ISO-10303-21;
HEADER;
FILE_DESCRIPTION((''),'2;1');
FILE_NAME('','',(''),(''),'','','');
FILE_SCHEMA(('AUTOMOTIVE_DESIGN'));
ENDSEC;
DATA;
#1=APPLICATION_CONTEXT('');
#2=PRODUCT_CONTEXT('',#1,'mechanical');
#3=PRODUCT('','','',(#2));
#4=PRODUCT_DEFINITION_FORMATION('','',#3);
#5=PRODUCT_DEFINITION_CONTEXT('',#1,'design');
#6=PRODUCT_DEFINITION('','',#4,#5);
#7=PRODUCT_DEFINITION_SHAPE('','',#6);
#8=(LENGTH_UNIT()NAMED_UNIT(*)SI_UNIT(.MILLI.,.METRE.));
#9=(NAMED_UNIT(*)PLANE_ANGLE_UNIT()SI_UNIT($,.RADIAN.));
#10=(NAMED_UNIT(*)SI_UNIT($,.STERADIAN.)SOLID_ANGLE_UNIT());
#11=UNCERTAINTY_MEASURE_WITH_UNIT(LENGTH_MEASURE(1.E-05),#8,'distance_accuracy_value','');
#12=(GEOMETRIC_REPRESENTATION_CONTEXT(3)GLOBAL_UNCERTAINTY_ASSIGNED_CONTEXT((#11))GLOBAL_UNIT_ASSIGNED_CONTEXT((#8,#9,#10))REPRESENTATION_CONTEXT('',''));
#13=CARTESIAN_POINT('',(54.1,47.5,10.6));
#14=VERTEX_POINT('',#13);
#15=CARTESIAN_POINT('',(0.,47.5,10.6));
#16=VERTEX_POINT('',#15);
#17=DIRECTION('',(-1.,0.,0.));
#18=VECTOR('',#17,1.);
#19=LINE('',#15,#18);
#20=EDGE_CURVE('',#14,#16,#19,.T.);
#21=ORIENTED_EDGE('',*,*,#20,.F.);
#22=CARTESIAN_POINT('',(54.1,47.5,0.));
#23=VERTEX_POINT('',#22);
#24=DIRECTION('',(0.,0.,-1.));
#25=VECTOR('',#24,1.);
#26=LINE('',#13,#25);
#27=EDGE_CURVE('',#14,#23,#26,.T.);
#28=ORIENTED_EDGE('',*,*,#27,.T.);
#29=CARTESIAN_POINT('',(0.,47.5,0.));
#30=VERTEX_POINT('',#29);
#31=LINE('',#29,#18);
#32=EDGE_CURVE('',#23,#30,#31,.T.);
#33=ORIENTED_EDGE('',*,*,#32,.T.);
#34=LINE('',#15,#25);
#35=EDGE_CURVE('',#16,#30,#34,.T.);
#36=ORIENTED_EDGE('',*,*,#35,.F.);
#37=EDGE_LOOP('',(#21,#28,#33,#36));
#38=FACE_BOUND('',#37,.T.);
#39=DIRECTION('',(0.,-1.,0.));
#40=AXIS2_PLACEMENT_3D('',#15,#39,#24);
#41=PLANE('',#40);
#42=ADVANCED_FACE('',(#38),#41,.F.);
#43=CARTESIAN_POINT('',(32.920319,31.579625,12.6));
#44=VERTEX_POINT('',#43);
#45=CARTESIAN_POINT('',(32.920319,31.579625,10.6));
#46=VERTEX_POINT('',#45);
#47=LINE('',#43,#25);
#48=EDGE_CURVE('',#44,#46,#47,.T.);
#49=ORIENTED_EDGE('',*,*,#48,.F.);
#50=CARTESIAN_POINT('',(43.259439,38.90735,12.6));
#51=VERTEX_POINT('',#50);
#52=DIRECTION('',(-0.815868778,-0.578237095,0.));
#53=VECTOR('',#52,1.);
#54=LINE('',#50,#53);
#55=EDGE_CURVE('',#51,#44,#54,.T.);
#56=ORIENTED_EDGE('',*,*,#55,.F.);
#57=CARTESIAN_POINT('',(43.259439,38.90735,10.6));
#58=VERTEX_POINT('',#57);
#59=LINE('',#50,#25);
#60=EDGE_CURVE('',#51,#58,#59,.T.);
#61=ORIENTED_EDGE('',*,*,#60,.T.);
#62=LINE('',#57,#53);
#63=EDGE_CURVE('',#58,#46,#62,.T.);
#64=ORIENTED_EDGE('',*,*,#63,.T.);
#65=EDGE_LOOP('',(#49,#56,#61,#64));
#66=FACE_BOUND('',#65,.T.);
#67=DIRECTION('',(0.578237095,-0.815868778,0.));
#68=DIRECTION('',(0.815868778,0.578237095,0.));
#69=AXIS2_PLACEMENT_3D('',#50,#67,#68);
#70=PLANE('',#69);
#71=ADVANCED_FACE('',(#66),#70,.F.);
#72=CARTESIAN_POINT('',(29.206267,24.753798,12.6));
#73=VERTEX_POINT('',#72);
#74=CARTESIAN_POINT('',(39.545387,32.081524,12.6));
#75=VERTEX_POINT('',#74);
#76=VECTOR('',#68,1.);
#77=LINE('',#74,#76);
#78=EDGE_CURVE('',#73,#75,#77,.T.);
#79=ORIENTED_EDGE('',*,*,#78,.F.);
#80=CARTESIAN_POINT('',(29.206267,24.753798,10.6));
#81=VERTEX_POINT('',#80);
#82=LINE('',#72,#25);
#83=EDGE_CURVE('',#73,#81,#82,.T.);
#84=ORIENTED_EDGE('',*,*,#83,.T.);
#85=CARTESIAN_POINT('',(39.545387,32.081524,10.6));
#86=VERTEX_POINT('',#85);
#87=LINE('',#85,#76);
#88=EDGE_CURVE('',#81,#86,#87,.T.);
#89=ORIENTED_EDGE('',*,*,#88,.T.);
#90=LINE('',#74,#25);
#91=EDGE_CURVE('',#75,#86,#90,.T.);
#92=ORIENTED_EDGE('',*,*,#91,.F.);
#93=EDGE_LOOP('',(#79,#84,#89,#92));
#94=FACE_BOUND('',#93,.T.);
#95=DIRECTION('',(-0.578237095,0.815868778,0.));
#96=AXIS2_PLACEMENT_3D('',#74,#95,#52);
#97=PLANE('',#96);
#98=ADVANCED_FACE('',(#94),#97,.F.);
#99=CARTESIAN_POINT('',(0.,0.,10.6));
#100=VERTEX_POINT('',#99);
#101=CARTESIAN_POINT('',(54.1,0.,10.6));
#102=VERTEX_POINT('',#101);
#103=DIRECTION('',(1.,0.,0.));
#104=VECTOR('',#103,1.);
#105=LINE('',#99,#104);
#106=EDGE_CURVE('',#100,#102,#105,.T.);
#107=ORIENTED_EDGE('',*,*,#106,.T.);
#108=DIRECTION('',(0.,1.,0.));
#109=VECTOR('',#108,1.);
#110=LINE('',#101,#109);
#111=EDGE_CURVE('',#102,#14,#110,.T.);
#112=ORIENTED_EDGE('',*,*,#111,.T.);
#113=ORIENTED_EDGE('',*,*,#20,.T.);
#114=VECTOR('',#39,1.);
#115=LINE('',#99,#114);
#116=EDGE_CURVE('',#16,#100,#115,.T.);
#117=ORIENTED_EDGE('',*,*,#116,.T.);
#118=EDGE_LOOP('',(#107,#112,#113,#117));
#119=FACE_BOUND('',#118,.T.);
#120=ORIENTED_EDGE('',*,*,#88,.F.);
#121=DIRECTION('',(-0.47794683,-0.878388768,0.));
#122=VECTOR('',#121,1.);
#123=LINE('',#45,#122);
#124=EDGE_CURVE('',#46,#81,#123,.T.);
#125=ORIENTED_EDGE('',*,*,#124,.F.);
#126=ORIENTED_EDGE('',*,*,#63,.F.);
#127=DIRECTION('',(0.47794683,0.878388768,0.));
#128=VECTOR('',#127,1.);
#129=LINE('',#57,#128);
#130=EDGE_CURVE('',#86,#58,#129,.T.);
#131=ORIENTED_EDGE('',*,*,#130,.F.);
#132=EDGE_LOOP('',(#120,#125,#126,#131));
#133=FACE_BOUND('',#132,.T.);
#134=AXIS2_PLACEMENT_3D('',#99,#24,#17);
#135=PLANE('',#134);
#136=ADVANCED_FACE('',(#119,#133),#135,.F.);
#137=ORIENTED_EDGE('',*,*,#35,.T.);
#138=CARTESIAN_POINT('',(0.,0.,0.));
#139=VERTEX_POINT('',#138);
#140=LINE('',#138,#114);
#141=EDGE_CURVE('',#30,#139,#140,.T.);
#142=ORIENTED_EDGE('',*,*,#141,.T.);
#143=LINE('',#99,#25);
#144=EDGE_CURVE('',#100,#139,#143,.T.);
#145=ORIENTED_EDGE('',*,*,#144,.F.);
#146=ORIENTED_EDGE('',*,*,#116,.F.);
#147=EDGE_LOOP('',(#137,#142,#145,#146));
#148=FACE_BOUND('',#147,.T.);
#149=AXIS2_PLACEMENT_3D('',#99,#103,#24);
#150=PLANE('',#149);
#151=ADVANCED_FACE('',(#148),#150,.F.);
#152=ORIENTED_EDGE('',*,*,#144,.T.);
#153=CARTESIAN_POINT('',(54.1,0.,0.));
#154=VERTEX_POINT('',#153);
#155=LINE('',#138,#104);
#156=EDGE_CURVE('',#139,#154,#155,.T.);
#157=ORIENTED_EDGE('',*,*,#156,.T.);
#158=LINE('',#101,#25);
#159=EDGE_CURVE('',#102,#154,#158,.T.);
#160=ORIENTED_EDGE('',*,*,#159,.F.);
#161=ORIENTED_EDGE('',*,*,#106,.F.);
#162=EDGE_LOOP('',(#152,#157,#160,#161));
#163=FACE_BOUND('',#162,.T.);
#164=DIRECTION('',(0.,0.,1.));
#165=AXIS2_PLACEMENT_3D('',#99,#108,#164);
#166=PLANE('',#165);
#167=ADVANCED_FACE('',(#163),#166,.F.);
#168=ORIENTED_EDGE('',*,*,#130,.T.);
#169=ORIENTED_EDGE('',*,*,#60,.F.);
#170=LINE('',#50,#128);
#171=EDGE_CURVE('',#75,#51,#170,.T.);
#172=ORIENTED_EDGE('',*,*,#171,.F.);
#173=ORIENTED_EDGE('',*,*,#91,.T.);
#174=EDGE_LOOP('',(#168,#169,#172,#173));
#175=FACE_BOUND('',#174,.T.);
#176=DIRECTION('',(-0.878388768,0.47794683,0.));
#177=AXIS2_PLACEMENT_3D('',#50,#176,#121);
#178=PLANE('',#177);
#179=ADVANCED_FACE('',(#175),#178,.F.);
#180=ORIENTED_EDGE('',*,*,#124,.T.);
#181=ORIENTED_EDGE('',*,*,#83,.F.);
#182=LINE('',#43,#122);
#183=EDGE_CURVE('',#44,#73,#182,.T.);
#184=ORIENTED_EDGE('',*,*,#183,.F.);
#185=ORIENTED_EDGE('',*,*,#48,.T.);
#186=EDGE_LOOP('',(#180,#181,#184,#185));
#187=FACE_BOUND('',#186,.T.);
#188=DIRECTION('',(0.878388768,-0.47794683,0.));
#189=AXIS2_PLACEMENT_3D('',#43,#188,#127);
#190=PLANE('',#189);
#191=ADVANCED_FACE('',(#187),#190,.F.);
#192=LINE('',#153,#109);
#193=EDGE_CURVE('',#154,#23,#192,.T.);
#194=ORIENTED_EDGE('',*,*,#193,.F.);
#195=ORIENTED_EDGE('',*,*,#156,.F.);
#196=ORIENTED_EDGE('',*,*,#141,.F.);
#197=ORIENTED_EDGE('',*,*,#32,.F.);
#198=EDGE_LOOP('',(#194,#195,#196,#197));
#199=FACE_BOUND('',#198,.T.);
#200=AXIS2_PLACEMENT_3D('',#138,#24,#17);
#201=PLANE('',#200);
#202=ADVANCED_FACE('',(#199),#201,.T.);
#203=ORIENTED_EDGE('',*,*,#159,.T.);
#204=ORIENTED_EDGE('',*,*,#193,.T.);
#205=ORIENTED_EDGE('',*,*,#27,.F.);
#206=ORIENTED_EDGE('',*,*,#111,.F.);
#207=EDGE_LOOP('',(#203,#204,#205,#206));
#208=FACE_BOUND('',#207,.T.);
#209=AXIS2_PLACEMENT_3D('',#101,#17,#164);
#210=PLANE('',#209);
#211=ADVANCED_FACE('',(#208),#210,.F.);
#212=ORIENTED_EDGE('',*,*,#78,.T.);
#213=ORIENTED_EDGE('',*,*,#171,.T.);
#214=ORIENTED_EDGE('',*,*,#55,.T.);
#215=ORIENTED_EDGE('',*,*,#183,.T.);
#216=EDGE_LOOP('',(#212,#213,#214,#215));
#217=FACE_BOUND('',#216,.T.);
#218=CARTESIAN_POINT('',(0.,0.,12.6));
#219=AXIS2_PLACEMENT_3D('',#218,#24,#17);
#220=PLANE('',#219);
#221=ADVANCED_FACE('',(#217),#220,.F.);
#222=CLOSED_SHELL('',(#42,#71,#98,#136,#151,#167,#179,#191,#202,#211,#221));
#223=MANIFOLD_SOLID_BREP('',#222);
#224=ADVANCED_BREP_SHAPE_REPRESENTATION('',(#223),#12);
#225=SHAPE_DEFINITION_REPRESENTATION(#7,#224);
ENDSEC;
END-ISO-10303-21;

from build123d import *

# Parameters (mm, degrees)
SKETCH_1_W      = 54.1
SKETCH_1_H      = 47.5
EXTRUDE_1_DEPTH = 10.6
EXTRUDE_2_DEPTH = 2


with BuildPart() as part:
    # ｽｹｯﾁ1 → ﾎﾞｽ - 押し出し1 (new body)
    with BuildSketch(Plane.XY):
        with Locations((27.05, 23.75)):
            Rectangle(SKETCH_1_W, SKETCH_1_H)
    extrude(amount=EXTRUDE_1_DEPTH)

    # ｽｹｯﾁ2 → ﾎﾞｽ - 押し出し2 (add)
    with BuildSketch(Plane.XY.offset(10.6)):
        Polygon((43.259439272, 38.907350352), (32.920319496, 31.579624685), (29.20626676, 24.753798037), (39.545386537, 32.081523703), align=None)
    extrude(amount=EXTRUDE_2_DEPTH)


solid = part.part
